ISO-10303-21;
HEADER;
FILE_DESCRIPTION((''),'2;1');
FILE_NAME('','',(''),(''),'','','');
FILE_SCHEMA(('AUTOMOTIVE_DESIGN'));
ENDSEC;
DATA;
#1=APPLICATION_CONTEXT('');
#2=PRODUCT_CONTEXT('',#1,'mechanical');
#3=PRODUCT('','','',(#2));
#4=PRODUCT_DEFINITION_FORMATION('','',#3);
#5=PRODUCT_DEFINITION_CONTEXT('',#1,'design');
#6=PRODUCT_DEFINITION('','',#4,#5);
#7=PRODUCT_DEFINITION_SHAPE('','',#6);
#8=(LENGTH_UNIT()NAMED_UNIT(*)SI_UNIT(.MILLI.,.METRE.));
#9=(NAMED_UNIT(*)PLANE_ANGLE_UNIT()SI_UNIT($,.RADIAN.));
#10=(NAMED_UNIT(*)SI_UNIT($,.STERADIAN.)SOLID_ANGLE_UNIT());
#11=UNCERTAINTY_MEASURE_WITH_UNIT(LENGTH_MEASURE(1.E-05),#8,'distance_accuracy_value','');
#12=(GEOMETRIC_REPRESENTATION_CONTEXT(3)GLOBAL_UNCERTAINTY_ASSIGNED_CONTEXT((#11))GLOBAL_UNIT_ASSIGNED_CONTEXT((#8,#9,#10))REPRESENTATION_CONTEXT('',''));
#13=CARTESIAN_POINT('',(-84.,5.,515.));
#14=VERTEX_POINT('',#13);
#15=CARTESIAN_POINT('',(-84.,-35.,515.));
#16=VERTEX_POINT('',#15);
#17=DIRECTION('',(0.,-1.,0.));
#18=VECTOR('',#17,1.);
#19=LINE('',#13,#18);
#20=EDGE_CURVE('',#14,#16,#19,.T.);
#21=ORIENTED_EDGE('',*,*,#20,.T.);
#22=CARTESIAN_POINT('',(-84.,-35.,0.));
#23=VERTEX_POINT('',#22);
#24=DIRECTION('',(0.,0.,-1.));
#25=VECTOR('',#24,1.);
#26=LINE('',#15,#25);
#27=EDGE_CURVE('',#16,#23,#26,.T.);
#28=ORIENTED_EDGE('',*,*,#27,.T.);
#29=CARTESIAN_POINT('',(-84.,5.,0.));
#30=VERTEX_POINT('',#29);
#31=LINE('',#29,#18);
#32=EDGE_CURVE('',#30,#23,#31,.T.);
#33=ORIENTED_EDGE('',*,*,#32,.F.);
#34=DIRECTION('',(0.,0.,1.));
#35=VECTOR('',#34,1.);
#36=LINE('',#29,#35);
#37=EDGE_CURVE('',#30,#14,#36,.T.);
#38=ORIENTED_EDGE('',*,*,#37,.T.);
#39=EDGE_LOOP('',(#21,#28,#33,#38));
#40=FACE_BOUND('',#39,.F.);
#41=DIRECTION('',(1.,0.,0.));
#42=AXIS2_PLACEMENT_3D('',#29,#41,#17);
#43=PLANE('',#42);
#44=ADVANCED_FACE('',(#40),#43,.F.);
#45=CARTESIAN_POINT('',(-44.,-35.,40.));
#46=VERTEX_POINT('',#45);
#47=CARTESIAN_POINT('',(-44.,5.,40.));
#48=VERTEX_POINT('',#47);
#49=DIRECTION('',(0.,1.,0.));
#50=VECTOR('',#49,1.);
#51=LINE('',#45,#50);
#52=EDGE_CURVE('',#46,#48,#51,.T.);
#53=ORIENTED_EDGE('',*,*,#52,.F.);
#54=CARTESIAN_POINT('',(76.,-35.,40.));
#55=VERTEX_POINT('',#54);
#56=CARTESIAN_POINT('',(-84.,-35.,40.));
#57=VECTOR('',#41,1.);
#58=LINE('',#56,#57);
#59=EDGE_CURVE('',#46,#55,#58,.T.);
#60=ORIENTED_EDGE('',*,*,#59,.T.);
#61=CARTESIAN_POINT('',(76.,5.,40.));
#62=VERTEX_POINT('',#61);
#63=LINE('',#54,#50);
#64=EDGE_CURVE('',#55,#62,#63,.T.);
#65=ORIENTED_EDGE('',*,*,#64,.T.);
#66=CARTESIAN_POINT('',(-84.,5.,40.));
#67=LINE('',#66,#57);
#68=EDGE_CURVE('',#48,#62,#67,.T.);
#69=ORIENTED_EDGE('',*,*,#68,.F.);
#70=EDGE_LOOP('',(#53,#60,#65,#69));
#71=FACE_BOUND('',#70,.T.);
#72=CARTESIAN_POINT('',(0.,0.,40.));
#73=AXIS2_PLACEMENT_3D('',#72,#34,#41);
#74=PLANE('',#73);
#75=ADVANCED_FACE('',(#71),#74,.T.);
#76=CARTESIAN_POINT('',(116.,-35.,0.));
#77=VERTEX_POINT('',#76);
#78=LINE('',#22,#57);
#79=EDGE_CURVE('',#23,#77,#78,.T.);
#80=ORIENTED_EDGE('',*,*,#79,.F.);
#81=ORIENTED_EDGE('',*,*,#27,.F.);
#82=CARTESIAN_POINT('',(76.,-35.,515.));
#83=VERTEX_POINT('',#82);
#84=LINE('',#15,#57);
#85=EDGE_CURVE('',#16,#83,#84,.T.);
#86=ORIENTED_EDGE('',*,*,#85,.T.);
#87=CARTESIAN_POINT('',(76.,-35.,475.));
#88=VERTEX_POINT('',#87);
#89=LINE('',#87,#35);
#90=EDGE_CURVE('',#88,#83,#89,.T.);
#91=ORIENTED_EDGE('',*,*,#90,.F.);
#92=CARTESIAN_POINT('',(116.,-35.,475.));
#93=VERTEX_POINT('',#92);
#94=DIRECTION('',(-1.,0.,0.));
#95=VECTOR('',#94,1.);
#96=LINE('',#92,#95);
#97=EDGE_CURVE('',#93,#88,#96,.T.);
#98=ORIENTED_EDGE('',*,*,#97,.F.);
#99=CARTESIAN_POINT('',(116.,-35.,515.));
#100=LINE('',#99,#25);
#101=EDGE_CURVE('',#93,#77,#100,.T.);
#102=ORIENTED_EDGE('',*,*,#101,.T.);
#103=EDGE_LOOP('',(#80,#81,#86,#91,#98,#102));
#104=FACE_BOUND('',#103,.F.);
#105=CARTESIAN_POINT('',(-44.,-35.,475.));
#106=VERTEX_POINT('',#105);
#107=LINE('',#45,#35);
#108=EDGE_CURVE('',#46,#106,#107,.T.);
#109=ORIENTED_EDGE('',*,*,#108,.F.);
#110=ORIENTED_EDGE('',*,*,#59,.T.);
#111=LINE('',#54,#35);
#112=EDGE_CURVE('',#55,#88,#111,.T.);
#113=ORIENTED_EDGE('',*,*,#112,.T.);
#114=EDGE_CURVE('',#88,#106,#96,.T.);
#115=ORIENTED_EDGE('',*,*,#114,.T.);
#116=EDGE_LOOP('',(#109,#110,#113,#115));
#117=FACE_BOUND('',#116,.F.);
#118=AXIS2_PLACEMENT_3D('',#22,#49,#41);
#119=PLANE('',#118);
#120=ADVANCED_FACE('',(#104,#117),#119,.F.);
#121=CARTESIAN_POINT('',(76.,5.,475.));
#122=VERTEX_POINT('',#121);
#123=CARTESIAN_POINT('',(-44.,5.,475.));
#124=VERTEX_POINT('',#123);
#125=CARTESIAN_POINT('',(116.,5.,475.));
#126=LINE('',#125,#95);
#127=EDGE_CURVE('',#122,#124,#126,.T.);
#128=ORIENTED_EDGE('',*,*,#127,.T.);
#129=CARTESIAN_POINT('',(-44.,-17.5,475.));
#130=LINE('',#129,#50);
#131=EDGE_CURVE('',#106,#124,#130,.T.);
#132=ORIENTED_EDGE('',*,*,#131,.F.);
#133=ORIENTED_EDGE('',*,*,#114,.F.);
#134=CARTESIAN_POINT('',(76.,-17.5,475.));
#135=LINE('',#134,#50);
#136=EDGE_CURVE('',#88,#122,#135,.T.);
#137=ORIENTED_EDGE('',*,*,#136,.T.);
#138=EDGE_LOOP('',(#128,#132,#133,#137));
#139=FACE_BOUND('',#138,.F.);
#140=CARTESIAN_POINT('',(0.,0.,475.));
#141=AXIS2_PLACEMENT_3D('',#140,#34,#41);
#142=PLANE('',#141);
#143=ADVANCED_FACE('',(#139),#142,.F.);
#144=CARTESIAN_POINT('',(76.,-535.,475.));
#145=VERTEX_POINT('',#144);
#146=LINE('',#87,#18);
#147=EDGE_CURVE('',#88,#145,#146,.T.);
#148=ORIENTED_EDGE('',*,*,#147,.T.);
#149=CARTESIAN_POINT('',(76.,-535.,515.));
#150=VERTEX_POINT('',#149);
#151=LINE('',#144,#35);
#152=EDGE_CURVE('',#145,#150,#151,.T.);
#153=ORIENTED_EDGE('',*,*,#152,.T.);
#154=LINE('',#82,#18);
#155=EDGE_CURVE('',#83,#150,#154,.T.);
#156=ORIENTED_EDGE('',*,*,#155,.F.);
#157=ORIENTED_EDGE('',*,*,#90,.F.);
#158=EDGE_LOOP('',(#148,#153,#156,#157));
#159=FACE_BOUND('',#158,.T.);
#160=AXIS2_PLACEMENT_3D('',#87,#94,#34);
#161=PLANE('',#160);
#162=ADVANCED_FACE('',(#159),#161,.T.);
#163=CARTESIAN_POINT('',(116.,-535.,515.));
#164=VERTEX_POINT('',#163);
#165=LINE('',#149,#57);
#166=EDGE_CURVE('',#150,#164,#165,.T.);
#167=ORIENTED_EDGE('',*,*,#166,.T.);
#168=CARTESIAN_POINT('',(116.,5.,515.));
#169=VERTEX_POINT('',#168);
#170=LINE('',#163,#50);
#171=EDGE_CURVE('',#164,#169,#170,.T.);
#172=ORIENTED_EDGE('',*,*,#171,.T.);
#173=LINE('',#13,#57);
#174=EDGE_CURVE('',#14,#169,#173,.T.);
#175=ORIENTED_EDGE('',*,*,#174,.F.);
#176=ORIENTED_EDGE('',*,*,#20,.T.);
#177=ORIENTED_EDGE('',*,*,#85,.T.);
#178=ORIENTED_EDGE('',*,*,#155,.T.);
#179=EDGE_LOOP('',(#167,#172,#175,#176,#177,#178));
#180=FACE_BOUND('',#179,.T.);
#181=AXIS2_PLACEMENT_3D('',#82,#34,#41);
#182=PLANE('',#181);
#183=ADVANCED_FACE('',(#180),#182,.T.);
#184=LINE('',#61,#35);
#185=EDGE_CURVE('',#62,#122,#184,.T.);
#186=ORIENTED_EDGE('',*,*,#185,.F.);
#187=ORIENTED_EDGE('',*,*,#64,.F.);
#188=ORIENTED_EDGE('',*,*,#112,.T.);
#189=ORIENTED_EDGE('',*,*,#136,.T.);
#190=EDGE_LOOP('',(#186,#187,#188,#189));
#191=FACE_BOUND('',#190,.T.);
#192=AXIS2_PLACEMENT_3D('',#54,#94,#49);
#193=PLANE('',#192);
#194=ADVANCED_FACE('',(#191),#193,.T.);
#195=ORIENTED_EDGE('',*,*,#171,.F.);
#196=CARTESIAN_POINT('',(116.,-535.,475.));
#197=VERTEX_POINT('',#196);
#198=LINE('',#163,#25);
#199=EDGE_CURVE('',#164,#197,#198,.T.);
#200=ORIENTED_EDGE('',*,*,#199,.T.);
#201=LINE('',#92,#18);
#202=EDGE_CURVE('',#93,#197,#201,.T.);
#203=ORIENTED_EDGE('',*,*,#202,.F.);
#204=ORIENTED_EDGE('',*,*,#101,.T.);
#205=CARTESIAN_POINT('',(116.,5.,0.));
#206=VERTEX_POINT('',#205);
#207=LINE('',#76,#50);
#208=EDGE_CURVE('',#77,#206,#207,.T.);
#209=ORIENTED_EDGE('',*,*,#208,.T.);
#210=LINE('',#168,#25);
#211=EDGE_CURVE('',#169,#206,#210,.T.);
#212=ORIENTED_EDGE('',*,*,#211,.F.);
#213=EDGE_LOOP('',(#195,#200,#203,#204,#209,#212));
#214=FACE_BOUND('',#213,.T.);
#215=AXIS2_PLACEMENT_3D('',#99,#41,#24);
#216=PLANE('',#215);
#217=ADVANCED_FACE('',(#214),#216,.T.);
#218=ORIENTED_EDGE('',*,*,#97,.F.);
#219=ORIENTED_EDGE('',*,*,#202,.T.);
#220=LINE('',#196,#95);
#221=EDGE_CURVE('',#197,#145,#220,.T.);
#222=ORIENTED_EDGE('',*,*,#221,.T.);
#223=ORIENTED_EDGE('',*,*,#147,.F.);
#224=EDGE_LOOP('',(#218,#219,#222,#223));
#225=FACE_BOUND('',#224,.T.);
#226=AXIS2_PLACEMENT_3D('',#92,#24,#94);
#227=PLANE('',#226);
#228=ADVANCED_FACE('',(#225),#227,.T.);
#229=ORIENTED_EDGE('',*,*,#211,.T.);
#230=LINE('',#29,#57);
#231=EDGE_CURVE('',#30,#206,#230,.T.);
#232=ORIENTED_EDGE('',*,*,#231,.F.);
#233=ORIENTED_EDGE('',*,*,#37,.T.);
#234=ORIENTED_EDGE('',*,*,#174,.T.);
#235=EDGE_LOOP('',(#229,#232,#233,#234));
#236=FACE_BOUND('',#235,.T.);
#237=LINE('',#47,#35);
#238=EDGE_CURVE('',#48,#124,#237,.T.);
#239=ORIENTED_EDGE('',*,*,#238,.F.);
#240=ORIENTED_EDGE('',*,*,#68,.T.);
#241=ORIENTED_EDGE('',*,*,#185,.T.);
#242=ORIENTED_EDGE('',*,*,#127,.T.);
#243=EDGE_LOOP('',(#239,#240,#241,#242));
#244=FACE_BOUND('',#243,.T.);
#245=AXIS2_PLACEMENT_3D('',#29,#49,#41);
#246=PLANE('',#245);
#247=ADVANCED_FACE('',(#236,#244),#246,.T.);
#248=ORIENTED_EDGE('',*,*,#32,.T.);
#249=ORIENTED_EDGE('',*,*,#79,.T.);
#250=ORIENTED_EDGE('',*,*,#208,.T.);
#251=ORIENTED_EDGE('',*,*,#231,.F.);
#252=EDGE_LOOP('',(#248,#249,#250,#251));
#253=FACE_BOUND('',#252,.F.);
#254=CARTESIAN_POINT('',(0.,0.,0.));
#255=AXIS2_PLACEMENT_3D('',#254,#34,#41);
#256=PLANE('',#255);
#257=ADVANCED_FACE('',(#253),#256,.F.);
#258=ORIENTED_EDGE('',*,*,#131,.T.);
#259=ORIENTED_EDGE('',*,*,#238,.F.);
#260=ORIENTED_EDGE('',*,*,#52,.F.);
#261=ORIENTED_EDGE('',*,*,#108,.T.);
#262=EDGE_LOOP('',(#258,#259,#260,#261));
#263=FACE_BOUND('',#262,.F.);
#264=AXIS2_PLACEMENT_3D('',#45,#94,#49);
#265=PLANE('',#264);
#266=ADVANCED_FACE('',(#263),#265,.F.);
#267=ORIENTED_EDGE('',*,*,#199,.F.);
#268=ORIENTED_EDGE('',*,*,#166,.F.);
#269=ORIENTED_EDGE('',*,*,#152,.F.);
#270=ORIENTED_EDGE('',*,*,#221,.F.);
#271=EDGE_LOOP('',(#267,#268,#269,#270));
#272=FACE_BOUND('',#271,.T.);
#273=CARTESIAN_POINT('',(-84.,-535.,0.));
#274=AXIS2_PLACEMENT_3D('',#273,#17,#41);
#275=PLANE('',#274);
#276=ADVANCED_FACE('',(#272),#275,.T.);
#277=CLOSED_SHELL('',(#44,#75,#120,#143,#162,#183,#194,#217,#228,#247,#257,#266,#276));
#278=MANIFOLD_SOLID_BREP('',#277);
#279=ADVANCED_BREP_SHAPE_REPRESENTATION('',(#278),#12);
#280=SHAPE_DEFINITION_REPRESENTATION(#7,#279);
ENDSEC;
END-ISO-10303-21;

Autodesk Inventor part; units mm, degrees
ref_plane "YZ Plane" through (0, 0, 0) normal (1, 0, 0) x (0, 1, 0)
ref_plane "XZ Plane" through (0, 0, 0) normal (0, 1, 0) x (-1, 0, 0)
sketch "Skizze1" plane through (0, 0, 0) normal (0, 0, 1) x (1, 0, 0)
  line L0 (0, 0) -> (32, 0) construction
  line L1 (-84, 5) -> (-84, -35)
  line L2 (-84, -35) -> (116, -35)
  line L3 (116, -35) -> (116, 5)
  line L4 (-84, 5) -> (116, 5)
  line L5 (0, 0) -> (-84, 0) construction
  line L6 (32, 0) -> (116, 0) construction
  point P0 (16, 5)
  dimension "d0" = 200
  dimension "d1" = 40
  dimension "d2" = 5
extrude "Extrusion1" add sketch "Skizze1" along normal blind 40
sketch "Skizze2" plane through (0, 0, 40) normal (0, 0, 1) x (1, 0, 0)
  line L0 (116, -35) -> (116, 5) projected
  line L1 (-84, 5) -> (-84, -35) projected
  line L2 (116, -35) -> (76, -35)
  line L3 (76, -35) -> (76, 5)
  line L4 (76, 5) -> (116, 5)
  line L5 (-84, -35) -> (-44, -35)
  line L6 (-44, -35) -> (-44, 5)
  line L7 (-44, 5) -> (-84, 5)
  point P0 (0, 0)
extrude "Extrusion2" add sketch "Skizze2" along normal blind 475
sketch "Skizze3" plane through (0, 0, 515) normal (0, 0, 1) x (1, 0, 0)
  line L0 (116, -35) -> (116, 5) projected
  line L1 (-84, 5) -> (-84, -35) projected
  line L2 (76, -35) -> (116, -35) projected
  line L3 (116, -35) -> (-84, -35)
  line L4 (116, 5) -> (-84, 5)
  point P0 (0, 0)
extrude "Extrusion3" add sketch "Skizze3" against normal blind 40
ref_plane "Arbeitsebene1" through (34.1, -565, 450) normal (0, 1, 0) x (0, 0, 1)
sketch "Skizze4" plane through (-84, -35, 0) normal (0, -1, 0) x (1, 0, 0)
  line L0 (136.45, -16.1) -> (139.75, -16.1) construction
  line L1 (138.1, -16.1) -> (138.1, 515) construction
  line L2 (0, 515) -> (200, 515) construction
  line L3 (160, 515) -> (200, 515)
  line L4 (200, 515) -> (200, 475)
  line L5 (200, 475) -> (160, 475)
  line L6 (160, 475) -> (160, 515)
  line L7 (200, 0) -> (200, 515) projected
  point P0 (84, 0)
  dimension "d10" = 40
  dimension "d26" = 40
  dimension "d27" = 0
extrude "Extrusion4" add sketch "Skizze4" along normal blind 500
equation "\"d5\" = höheFrame"
equation "\"höheFrame\" = 475"
properties part number "FrameSide" material "Aluminium 6061, Frame"
